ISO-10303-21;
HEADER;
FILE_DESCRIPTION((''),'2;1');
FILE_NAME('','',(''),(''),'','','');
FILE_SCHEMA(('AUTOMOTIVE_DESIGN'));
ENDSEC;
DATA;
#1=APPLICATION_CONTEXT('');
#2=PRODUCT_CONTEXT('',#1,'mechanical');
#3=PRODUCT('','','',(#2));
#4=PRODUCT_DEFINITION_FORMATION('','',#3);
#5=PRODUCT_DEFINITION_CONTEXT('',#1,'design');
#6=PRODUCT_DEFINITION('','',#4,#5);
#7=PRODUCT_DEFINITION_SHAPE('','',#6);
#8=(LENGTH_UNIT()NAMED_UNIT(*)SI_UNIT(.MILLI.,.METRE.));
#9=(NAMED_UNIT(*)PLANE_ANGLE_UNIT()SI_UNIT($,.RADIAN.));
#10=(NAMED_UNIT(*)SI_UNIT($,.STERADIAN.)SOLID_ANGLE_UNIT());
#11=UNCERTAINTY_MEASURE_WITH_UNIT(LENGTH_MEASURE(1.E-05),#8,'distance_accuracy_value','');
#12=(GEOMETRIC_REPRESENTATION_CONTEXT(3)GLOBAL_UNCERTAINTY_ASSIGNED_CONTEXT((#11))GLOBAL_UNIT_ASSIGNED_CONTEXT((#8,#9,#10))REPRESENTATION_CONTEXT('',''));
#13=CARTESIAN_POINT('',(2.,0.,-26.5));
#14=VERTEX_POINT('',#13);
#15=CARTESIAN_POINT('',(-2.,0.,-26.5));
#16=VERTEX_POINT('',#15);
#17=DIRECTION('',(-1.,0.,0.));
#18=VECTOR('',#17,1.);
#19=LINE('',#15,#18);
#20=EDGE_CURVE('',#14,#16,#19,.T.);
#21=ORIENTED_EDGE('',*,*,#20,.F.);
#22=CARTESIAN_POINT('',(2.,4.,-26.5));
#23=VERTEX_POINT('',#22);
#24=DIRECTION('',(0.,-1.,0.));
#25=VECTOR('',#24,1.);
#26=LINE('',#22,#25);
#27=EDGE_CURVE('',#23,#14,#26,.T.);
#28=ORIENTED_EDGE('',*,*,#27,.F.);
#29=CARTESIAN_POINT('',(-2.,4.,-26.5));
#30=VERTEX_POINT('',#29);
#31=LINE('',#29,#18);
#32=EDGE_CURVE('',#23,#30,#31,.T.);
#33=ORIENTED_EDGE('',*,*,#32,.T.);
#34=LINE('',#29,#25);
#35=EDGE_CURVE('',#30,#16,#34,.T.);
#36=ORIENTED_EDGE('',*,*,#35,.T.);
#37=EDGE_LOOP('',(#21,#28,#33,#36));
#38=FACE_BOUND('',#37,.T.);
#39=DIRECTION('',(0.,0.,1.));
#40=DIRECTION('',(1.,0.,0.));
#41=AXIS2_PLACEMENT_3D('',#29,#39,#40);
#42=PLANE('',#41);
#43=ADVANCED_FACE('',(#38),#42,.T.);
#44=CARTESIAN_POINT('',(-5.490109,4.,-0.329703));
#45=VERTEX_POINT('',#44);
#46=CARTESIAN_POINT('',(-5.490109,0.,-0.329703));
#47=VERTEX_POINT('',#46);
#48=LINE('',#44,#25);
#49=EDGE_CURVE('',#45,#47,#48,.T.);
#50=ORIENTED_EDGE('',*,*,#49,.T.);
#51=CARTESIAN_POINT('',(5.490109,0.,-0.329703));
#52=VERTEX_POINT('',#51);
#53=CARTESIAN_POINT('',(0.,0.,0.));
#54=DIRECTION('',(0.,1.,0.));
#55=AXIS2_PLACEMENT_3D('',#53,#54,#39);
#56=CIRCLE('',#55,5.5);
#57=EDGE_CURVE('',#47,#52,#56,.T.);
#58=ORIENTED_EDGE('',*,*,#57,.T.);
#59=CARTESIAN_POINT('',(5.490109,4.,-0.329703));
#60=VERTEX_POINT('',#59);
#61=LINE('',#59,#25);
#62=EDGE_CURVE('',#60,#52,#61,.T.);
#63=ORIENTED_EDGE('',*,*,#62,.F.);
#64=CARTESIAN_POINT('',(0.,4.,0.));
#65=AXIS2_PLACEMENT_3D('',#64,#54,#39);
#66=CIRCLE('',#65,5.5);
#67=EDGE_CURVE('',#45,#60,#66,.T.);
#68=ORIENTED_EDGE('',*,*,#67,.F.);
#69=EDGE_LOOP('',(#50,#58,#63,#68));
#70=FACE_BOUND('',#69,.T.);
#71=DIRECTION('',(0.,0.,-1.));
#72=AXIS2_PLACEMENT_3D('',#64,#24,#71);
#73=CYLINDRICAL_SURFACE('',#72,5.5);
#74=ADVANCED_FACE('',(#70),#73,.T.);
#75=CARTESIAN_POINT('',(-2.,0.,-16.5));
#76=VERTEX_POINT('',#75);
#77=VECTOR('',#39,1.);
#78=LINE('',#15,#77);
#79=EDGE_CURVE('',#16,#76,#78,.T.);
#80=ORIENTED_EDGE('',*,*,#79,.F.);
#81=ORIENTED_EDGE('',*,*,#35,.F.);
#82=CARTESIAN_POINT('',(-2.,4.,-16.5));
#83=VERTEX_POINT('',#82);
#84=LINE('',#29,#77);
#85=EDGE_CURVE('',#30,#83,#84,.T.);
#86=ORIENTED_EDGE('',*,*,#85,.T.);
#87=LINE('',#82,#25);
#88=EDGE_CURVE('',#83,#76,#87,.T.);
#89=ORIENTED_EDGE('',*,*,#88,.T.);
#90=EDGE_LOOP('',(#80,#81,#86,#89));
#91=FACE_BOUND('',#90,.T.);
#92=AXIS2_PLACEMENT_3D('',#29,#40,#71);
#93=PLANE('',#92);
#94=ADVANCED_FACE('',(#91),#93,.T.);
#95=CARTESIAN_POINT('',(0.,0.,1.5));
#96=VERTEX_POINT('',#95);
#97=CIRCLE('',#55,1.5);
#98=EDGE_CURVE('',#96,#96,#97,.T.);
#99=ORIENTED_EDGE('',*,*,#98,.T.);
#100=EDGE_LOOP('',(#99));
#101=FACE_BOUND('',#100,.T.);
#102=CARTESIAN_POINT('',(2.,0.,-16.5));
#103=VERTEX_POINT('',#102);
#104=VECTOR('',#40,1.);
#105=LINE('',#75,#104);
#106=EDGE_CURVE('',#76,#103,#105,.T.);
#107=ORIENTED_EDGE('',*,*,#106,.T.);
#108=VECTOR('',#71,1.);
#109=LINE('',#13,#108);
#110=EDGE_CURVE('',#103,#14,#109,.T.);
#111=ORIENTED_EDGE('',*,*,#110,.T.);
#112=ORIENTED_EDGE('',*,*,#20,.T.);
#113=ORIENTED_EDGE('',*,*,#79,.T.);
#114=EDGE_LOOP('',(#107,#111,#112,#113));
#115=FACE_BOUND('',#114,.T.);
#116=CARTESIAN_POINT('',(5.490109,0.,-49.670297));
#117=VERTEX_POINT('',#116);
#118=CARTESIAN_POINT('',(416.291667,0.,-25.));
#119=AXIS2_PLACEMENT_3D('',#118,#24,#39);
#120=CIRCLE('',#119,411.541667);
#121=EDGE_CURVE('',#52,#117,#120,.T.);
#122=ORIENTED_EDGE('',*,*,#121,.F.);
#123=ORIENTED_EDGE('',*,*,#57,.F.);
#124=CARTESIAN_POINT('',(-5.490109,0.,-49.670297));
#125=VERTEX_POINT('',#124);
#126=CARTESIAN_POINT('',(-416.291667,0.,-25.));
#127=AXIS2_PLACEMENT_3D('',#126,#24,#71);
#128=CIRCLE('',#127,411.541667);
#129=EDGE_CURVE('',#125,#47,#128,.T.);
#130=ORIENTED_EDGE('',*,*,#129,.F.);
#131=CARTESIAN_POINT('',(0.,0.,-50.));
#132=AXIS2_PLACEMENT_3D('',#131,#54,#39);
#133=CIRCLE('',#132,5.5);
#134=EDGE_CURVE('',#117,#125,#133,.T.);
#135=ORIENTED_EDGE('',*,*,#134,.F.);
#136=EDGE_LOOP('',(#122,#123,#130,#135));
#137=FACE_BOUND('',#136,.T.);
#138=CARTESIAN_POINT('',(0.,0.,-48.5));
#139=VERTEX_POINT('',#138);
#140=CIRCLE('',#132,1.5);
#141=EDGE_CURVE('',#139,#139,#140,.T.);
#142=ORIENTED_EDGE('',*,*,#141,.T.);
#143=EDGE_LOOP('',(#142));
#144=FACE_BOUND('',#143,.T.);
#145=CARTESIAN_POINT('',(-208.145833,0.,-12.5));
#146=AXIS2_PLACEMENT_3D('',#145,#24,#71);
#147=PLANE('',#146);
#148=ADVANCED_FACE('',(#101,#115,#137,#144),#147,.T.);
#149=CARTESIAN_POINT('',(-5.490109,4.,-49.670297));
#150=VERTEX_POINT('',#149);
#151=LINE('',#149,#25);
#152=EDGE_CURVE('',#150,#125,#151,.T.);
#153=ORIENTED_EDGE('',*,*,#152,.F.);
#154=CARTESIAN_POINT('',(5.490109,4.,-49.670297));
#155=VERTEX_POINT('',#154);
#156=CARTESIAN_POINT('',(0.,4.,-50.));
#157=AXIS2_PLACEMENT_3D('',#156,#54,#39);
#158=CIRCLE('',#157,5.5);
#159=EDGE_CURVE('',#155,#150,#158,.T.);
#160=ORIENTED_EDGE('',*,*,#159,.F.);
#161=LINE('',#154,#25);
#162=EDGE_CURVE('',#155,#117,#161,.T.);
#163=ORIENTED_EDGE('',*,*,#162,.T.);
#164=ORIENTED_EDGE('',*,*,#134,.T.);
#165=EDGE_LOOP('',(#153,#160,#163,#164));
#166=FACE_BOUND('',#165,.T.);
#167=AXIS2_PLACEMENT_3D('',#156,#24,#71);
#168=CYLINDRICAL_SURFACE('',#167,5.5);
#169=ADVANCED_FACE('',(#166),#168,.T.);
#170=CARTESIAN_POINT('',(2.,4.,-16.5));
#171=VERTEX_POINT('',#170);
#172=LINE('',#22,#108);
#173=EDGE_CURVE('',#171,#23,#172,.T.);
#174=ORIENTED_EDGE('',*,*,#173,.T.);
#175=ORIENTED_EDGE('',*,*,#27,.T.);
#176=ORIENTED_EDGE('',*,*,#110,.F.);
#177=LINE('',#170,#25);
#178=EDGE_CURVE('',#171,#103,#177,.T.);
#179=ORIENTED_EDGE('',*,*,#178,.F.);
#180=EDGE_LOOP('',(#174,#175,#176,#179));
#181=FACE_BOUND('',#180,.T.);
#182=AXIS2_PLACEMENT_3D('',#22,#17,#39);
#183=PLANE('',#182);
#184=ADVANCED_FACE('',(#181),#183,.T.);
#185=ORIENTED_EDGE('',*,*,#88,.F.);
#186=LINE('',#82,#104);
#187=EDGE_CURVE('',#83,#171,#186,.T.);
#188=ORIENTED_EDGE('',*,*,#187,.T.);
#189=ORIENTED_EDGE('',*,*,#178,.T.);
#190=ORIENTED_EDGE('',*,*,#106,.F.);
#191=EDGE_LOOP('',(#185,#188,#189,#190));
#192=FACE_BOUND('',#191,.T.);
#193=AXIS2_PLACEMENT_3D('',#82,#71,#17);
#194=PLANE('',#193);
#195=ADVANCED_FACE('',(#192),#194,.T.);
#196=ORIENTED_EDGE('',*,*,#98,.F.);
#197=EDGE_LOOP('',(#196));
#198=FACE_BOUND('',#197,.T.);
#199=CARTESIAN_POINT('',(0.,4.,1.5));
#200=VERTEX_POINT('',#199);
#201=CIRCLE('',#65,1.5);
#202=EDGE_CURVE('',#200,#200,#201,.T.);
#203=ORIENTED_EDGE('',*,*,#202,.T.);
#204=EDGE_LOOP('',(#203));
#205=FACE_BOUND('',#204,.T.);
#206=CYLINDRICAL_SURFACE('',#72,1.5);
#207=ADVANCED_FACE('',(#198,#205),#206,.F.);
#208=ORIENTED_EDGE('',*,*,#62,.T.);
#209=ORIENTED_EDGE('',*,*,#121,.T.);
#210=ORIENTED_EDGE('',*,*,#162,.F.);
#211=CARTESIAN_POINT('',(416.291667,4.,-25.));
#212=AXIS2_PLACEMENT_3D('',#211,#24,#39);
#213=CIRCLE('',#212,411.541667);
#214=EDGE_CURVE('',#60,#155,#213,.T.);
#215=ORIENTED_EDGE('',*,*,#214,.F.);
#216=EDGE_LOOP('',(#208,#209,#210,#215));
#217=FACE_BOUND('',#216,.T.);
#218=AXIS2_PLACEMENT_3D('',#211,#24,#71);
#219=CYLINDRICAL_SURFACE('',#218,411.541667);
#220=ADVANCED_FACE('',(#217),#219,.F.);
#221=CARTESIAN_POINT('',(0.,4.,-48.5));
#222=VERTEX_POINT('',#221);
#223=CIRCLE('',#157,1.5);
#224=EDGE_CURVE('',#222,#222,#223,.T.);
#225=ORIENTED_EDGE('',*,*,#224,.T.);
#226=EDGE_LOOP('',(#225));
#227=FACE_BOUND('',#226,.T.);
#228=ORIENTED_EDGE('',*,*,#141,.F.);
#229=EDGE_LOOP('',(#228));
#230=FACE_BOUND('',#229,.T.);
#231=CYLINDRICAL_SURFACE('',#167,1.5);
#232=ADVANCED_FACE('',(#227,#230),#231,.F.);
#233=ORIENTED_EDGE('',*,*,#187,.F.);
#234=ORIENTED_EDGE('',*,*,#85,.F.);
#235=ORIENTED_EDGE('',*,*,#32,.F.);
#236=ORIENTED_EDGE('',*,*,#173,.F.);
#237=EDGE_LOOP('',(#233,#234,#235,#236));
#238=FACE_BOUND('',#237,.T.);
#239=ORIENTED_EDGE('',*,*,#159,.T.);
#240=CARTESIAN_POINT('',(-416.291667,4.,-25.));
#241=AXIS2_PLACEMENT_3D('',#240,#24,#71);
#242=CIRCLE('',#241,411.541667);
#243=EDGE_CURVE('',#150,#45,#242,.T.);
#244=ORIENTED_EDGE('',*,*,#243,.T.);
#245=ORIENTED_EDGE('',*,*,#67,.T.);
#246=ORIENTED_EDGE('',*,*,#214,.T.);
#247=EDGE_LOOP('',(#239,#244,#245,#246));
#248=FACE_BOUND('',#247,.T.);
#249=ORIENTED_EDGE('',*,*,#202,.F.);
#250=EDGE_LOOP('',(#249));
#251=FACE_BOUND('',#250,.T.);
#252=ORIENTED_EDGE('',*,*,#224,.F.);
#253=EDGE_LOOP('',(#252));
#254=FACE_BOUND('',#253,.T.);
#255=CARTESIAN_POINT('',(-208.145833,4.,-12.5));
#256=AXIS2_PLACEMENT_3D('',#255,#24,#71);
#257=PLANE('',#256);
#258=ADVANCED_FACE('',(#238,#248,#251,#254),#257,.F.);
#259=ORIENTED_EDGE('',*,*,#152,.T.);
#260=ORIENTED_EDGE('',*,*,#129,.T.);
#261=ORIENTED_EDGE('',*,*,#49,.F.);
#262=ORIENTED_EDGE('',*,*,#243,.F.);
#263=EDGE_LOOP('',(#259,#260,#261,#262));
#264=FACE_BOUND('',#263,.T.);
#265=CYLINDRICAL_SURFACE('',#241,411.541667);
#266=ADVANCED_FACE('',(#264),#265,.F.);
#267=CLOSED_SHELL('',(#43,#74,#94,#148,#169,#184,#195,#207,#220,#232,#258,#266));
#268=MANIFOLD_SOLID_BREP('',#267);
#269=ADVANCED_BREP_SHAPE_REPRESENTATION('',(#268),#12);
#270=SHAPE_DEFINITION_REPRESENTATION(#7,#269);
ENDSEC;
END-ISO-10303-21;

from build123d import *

# Parameters (mm, degrees)
SKETCH1_R           = 1.5
SKETCH1_W           = 4
SKETCH1_H           = 10
BOSS_EXTRUDE1_DEPTH = 4


with BuildPart() as part:
    # Sketch1 → Boss-Extrude1 (new body)
    with BuildSketch(Plane(origin=(0, 0, 0), x_dir=(1, 0, 0), z_dir=(0, 1, 0))):
        with BuildLine():
            ThreePointArc((-5.490108902, 0.329703267), (0, -5.5), (5.490108902, 0.329703267))
            ThreePointArc((5.490108902, 0.329703267), (4.75, 25), (5.490108902, 49.670296733))
            ThreePointArc((5.490108902, 49.670296733), (0, 55.5), (-5.490108902, 49.670296733))
            ThreePointArc((-5.490108902, 49.670296733), (-4.75, 25), (-5.490108902, 0.329703267))
        make_face()
        Circle(SKETCH1_R, mode=Mode.SUBTRACT)
        with Locations((0, 50)):
            Circle(SKETCH1_R, mode=Mode.SUBTRACT)
        with Locations((0, 21.5)):
            Rectangle(SKETCH1_W, SKETCH1_H, mode=Mode.SUBTRACT)
    extrude(amount=BOSS_EXTRUDE1_DEPTH)


solid = part.part
